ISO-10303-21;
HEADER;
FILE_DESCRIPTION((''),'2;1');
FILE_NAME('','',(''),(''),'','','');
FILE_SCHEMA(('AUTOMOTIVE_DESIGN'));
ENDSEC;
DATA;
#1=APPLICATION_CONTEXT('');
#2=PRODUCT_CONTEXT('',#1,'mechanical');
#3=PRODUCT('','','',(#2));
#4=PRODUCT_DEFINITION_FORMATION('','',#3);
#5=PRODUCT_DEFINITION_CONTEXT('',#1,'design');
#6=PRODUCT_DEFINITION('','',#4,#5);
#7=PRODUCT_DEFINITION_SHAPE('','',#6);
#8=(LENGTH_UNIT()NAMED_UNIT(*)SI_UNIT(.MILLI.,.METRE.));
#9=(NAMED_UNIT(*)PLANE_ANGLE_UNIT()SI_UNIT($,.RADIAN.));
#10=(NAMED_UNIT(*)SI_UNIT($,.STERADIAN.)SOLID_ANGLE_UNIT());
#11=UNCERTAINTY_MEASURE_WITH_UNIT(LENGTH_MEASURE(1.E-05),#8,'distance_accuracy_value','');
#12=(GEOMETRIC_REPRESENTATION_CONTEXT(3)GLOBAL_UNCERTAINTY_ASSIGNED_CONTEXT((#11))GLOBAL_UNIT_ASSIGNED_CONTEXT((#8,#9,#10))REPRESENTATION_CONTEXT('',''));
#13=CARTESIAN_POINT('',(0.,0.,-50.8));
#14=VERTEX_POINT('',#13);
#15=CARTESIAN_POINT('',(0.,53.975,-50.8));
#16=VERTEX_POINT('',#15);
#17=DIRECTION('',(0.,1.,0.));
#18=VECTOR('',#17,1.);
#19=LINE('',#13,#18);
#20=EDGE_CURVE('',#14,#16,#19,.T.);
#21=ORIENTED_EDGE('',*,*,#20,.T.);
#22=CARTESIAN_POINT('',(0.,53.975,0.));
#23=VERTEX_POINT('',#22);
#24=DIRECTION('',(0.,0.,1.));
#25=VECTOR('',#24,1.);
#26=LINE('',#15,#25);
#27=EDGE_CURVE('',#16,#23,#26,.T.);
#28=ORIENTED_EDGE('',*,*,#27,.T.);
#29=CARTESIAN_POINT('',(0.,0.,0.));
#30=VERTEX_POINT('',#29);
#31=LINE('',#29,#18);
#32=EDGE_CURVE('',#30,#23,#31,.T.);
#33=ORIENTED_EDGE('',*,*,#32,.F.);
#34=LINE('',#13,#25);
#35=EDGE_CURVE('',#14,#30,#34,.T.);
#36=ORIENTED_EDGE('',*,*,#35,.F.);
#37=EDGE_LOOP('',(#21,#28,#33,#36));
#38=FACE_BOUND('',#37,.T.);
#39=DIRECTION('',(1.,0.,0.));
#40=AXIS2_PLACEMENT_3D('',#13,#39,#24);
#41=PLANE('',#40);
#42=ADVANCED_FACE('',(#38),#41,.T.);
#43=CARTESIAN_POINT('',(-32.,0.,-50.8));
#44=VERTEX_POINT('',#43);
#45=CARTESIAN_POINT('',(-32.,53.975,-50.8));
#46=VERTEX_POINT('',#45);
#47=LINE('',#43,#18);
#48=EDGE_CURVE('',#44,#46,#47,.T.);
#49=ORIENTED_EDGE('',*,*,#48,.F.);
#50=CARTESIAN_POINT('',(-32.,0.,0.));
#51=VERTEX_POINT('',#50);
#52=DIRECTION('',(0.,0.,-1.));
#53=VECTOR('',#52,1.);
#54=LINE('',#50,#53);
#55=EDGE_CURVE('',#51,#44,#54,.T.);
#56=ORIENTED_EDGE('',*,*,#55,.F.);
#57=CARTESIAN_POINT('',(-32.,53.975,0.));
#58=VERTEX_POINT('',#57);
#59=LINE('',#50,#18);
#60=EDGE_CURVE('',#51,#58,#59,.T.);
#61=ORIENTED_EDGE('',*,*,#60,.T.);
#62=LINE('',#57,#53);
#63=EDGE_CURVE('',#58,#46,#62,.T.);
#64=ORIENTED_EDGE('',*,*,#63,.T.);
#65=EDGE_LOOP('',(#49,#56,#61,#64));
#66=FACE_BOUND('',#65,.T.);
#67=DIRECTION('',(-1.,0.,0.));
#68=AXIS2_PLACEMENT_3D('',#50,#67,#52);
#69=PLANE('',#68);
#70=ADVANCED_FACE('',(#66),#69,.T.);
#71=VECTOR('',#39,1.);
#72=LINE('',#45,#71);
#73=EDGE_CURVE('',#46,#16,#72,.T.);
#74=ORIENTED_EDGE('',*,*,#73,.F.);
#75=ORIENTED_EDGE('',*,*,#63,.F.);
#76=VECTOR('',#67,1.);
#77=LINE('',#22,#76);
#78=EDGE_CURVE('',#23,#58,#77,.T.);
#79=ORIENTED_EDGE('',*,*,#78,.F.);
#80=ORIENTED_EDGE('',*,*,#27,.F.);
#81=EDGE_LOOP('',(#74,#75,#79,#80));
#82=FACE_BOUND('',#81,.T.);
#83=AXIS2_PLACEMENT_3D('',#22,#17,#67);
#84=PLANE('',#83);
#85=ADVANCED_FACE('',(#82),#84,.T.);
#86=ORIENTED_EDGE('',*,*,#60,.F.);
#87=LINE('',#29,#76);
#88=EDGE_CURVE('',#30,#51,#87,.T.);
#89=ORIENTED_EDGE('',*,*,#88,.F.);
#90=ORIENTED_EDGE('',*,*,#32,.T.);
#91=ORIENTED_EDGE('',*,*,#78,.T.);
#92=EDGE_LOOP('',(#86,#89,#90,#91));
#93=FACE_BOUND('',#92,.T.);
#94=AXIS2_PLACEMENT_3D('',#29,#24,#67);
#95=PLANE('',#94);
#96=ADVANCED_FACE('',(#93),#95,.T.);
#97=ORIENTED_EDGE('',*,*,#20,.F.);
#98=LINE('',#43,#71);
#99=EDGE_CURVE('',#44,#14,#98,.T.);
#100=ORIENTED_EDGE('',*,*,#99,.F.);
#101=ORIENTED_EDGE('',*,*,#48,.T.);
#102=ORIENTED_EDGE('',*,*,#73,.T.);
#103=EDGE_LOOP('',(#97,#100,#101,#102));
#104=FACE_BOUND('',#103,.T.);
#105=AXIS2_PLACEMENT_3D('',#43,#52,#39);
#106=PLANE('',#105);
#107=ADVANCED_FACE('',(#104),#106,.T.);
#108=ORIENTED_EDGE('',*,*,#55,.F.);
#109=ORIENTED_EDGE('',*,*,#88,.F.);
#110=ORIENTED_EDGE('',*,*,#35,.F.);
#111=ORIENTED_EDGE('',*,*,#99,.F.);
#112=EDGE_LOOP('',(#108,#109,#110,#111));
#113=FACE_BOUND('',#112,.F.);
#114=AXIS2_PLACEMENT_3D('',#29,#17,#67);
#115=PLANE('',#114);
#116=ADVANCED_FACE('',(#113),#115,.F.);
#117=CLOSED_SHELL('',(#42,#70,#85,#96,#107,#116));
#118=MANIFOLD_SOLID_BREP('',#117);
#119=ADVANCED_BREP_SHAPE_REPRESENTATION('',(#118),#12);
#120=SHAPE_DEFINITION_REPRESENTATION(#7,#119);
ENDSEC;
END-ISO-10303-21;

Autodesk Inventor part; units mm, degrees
ref_plane "YZ Plane" through (0, 0, 0) normal (1, 0, 0) x (0, 1, 0)
ref_plane "XZ Plane" through (0, 0, 0) normal (0, 1, 0) x (-1, 0, 0)
ref_plane "XY Plane" through (0, 0, 0) normal (0, 0, 1) x (1, 0, 0)
sketch "Sketch1" plane through (0, 0, 0) normal (0, 1, 0) x (-1, 0, 0)
  line L0 (0, 0) -> (32, 0)
  line L1 (32, 0) -> (32, -50.8)
  line L2 (32, -50.8) -> (0, -50.8)
  line L3 (0, -50.8) -> (0, 0)
  dimension "d0" = 32
  dimension "d1" = 50.8
extrude "Extrusion1" add sketch "Sketch1" along normal blind 53.975
properties part number "12vTerminal"
